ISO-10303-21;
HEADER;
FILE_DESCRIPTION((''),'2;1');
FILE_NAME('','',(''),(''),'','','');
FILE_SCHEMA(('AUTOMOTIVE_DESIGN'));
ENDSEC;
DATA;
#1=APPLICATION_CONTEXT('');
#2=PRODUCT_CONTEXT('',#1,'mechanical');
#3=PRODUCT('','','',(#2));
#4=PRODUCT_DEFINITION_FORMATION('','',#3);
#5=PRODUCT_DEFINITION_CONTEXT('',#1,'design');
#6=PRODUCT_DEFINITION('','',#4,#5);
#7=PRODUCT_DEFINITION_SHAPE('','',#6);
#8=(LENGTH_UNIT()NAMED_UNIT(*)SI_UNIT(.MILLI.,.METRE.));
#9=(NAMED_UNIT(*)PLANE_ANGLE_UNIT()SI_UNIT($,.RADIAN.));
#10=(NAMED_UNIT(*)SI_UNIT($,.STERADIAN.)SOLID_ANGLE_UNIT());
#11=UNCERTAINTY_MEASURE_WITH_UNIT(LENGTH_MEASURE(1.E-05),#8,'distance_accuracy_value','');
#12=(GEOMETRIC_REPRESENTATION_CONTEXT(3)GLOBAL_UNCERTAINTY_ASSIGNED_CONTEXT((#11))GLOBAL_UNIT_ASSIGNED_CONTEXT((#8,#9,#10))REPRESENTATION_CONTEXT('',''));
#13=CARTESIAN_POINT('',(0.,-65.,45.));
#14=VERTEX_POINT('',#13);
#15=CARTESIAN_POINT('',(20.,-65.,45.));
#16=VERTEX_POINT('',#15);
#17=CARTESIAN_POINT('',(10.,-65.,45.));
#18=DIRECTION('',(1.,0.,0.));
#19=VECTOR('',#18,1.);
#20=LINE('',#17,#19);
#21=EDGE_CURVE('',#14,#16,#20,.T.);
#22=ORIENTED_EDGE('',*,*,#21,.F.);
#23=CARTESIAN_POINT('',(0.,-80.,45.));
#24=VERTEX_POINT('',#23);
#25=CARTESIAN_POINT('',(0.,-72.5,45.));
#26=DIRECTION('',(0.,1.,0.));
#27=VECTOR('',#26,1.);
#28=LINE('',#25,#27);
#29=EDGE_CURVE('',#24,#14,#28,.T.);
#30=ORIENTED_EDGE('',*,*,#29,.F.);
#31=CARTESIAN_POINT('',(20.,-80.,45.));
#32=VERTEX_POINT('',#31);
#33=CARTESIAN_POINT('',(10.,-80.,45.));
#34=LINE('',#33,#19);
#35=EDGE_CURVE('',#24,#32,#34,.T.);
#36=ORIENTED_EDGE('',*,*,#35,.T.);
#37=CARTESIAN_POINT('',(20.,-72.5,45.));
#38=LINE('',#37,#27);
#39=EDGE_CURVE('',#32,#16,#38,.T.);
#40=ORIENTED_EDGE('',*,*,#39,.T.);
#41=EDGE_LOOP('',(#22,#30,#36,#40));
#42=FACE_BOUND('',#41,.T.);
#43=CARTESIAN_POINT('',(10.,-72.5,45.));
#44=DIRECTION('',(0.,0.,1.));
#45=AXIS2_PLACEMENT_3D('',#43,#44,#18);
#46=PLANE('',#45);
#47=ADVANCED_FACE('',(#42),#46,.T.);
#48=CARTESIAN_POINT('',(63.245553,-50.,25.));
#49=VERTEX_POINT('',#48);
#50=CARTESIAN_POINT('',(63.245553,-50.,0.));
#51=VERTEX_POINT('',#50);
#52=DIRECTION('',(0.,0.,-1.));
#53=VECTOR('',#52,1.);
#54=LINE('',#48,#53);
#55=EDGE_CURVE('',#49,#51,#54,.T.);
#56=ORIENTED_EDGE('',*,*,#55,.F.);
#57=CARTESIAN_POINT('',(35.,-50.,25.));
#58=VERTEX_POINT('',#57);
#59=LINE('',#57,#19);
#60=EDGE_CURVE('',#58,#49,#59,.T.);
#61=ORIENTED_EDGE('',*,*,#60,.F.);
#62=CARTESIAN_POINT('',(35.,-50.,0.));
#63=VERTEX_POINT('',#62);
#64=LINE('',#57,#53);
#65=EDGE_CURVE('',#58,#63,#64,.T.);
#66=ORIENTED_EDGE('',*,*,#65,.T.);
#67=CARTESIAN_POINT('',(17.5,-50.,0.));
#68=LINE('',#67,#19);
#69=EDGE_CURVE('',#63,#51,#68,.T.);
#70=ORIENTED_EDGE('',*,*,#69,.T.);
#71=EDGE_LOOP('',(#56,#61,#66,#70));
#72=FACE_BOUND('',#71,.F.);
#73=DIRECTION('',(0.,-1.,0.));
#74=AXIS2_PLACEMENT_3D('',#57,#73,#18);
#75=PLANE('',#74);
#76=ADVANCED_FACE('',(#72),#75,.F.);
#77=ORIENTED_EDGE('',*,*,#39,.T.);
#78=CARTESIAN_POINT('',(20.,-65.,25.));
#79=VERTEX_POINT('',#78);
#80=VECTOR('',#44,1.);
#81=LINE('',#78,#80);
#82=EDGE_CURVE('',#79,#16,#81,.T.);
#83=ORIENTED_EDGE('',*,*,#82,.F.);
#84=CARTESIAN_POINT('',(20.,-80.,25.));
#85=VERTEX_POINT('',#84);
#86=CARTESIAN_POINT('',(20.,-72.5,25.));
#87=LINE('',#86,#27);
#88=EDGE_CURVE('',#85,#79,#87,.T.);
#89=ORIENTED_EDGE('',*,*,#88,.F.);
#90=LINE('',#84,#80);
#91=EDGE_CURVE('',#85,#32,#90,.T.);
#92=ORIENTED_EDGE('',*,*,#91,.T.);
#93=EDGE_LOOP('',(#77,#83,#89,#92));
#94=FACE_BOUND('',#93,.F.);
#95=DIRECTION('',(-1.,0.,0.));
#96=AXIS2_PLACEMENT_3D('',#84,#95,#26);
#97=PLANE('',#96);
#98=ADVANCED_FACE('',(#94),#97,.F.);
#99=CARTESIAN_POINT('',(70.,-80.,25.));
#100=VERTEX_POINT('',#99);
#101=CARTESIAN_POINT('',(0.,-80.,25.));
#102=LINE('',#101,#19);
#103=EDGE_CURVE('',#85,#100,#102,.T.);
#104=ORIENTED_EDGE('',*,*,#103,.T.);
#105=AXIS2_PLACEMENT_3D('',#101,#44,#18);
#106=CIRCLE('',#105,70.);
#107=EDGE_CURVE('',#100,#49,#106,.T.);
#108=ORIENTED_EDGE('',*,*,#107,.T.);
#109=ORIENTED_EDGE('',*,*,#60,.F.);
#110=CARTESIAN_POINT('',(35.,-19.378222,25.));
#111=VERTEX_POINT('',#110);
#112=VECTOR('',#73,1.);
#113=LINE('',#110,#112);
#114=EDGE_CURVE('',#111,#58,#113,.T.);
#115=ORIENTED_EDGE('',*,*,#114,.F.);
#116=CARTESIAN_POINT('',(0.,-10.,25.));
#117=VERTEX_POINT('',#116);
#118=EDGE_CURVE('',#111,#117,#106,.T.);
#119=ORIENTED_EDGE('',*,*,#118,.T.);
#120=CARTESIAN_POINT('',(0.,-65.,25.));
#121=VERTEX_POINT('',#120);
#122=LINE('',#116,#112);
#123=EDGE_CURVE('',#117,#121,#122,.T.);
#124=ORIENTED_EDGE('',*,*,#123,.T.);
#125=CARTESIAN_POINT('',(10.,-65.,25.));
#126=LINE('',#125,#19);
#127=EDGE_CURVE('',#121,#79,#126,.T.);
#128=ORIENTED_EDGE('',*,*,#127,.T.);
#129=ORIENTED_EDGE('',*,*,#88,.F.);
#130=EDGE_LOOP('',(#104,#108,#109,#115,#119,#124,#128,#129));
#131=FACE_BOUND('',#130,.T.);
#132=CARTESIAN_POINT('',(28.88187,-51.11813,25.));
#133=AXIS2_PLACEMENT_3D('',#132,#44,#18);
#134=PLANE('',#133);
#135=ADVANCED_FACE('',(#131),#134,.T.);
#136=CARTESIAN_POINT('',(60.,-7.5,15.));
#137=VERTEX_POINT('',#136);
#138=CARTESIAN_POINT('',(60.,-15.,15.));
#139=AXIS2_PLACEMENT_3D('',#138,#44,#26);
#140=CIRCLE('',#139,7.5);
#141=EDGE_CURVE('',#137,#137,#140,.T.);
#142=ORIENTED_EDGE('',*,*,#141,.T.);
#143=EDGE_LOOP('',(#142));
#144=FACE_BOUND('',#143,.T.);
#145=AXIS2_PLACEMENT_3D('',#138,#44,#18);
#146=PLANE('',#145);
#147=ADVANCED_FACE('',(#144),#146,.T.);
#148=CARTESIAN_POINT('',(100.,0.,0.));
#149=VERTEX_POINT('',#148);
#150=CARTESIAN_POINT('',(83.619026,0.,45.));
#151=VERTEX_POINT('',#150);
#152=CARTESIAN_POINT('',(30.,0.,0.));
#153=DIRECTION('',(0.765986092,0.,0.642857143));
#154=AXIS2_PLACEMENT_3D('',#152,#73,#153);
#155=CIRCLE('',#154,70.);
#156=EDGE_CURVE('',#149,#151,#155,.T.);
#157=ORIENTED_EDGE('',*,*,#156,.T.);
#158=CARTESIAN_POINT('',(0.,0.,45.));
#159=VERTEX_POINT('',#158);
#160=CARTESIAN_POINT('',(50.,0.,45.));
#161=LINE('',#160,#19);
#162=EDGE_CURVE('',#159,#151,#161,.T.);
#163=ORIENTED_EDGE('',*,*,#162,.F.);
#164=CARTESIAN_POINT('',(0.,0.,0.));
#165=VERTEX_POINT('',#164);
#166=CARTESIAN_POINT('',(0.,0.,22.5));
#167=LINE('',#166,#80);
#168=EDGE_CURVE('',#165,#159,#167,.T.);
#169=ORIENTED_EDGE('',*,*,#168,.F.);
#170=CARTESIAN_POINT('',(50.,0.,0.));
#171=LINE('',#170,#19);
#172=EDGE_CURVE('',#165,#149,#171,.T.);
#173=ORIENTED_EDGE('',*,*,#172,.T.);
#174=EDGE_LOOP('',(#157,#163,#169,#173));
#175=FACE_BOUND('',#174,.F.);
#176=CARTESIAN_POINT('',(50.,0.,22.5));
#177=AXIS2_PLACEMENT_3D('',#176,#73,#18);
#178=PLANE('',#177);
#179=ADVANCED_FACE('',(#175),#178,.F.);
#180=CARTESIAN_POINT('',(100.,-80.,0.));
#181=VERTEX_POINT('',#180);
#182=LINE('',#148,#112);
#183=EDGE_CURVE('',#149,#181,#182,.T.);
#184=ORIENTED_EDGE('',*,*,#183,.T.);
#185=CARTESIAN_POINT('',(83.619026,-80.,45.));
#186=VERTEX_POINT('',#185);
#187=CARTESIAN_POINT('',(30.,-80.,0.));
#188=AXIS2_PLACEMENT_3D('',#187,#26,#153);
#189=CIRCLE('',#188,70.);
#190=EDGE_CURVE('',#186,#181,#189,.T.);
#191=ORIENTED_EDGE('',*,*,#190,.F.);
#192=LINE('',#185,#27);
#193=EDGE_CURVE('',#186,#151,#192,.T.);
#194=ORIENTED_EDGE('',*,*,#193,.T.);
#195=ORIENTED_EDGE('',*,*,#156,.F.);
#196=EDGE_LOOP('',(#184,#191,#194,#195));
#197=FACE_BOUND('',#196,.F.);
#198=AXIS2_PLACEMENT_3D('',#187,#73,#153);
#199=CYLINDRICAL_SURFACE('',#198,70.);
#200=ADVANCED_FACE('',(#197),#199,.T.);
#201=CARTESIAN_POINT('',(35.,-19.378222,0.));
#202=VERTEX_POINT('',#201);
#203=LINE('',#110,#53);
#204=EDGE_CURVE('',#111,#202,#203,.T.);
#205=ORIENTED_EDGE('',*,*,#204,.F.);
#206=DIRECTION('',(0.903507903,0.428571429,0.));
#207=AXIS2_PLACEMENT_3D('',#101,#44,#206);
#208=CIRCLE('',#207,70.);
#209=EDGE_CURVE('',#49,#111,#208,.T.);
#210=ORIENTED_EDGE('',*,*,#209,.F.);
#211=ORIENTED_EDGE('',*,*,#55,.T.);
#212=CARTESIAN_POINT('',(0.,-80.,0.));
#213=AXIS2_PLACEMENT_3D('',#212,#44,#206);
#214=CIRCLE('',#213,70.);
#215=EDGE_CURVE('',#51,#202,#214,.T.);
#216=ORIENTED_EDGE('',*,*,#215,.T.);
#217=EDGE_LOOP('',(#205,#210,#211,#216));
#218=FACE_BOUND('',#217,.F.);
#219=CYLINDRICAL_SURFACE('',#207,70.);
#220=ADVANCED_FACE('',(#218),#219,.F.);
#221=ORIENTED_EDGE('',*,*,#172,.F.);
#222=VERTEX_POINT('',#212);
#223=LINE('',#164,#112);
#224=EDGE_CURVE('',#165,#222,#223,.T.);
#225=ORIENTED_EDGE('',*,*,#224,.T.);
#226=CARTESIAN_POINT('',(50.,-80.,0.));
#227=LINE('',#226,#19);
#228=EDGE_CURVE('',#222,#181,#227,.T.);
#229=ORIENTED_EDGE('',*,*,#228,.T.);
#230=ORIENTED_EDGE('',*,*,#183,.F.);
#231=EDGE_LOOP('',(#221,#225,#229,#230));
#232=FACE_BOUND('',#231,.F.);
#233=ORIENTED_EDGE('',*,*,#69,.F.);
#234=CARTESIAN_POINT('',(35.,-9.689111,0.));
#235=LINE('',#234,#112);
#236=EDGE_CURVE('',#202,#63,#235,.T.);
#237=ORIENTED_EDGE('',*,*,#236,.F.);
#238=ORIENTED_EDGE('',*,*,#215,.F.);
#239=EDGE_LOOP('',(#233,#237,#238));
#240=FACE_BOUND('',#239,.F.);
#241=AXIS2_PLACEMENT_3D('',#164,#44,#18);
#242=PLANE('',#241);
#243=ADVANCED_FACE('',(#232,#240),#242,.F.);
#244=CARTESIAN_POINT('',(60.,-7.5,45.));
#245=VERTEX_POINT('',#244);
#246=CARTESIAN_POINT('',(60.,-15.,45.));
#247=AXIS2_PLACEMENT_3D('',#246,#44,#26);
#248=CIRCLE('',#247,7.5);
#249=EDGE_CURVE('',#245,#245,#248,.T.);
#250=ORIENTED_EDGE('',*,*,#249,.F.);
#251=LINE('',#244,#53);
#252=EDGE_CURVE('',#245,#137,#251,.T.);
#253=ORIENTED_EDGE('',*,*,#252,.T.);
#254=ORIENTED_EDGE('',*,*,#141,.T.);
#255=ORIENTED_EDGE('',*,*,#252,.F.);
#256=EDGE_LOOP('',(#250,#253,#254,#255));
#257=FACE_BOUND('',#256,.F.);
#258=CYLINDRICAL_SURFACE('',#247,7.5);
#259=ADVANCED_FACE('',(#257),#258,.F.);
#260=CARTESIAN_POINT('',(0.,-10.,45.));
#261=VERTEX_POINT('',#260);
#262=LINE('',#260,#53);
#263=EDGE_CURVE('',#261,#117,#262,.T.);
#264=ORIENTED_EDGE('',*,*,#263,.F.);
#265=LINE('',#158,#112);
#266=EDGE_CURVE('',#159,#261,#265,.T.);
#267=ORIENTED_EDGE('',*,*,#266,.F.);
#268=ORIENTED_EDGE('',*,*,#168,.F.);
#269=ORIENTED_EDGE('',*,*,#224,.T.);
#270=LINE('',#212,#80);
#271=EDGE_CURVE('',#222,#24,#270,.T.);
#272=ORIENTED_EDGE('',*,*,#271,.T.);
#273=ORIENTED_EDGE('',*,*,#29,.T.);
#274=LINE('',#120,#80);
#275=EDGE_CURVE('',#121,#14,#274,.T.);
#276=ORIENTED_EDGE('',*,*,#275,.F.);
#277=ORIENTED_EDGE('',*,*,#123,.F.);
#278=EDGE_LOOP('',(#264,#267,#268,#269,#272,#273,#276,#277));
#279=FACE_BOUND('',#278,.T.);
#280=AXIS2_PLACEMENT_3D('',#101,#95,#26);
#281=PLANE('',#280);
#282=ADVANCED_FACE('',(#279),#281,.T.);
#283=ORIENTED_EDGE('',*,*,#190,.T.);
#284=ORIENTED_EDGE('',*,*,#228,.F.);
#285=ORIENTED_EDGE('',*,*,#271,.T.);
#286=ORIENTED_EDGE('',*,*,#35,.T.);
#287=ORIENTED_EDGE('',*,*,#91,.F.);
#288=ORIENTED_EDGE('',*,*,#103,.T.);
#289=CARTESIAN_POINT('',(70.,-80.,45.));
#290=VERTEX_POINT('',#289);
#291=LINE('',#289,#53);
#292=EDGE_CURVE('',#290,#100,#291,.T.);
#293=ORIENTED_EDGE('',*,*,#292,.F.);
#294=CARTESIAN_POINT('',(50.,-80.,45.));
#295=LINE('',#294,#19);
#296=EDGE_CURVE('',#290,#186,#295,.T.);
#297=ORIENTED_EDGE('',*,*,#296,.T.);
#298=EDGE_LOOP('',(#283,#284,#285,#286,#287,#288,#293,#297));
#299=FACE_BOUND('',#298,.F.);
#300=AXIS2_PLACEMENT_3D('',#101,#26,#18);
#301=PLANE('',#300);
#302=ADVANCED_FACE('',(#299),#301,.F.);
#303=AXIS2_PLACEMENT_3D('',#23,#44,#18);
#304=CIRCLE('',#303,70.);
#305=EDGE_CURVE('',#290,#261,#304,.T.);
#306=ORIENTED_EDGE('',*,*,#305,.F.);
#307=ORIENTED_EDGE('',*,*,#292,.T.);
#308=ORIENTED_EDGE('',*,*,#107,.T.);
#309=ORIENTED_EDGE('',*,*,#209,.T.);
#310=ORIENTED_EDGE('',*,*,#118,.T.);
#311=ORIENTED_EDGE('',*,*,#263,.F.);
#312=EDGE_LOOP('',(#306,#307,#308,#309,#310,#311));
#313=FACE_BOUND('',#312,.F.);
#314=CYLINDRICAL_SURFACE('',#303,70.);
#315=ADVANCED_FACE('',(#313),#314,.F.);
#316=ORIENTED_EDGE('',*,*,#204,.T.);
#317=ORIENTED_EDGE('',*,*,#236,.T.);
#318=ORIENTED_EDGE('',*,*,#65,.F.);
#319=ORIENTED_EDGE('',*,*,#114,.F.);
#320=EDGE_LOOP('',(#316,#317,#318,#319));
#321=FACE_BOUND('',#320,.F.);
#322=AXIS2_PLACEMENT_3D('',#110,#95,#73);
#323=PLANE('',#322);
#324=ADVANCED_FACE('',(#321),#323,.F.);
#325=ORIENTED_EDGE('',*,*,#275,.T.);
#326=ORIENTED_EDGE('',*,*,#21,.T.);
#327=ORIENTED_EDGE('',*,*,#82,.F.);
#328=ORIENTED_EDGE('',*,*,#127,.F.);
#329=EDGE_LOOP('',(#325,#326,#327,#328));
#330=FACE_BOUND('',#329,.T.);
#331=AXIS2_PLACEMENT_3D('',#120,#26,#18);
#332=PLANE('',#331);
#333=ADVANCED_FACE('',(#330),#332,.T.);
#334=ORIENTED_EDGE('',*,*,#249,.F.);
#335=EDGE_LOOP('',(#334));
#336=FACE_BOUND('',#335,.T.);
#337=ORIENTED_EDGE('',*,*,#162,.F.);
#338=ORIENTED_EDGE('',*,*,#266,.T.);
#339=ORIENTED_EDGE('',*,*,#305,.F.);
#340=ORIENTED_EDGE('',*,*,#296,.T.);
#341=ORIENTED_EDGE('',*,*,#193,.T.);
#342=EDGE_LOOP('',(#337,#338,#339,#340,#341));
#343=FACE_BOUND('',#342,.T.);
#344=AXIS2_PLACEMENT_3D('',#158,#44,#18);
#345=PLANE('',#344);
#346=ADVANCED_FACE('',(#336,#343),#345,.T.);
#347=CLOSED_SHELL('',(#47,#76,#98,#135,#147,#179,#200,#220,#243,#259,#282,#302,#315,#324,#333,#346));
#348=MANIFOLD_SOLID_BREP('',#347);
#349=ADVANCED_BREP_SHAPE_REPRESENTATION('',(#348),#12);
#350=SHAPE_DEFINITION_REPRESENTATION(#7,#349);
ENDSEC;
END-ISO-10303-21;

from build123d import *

# Parameters (mm, degrees)
F0_W      = 100
F0_H      = 45
F1_DEPTH  = 80
F3_DEPTH  = 20
F5_DEPTH  = 30
F6_W      = 20
F6_H      = 15
F7_DEPTH  = 20
F9_DEPTH  = 25.001
F11_DEPTH = 80.001


with BuildPart() as f1:
    # F0 (on Front) → F1 (new body)
    with BuildSketch(Plane.XZ):
        with Locations((50, 22.5)):
            Rectangle(F0_W, F0_H)
    extrude(amount=F1_DEPTH)

    # F2 (on face) → F3 (cut)
    with BuildSketch(Plane.XY.offset(45)):
        with BuildLine():
            Line((0, -80), (70, -80))
            ThreePointArc((70, -80), (49.4974746831, -30.5025253169), (0, -10))
            Line((0, -10), (0, -80))
        make_face()
    extrude(amount=-F3_DEPTH, mode=Mode.SUBTRACT)

    # F4 (on face) → F5 (cut)
    with BuildSketch(Plane.XY.offset(45)):
        with BuildLine():
            ThreePointArc((67.5, -15), (65.3033008589, -9.6966991411), (60, -7.5))
            ThreePointArc((60, -7.5), (54.6966991411, -20.3033008589), (67.5, -15))
        make_face()
    extrude(amount=-F5_DEPTH, mode=Mode.SUBTRACT)

    # F6 (on face) → F7 (join)
    with BuildSketch(Plane.XY.offset(25)):
        with Locations((10, -72.5)):
            Rectangle(F6_W, F6_H)
    extrude(amount=F7_DEPTH)

    # F8 (on face) → F9 (cut, through all)
    with BuildSketch(Plane.XY.offset(25)):
        with BuildLine():
            Line((35, -19.3782217351), (35, -50))
            Line((35, -50), (63.2455532034, -50))
            ThreePointArc((63.2455532034, -50), (51.4535762322, -32.5391793906), (35, -19.3782217351))
        make_face()
    extrude(amount=-F9_DEPTH, mode=Mode.SUBTRACT)

    # F10 (on face) → F11 (cut, through all)
    with BuildSketch(Plane.XZ.offset(80)):
        with BuildLine():
            ThreePointArc((83.6190264738, 45), (95.7773967757, 23.944395449), (100, 0))
            Line((100, 0), (100, 45))
            Line((100, 45), (83.6190264738, 45))
        make_face()
    extrude(amount=-F11_DEPTH, mode=Mode.SUBTRACT)


solid = f1.part
